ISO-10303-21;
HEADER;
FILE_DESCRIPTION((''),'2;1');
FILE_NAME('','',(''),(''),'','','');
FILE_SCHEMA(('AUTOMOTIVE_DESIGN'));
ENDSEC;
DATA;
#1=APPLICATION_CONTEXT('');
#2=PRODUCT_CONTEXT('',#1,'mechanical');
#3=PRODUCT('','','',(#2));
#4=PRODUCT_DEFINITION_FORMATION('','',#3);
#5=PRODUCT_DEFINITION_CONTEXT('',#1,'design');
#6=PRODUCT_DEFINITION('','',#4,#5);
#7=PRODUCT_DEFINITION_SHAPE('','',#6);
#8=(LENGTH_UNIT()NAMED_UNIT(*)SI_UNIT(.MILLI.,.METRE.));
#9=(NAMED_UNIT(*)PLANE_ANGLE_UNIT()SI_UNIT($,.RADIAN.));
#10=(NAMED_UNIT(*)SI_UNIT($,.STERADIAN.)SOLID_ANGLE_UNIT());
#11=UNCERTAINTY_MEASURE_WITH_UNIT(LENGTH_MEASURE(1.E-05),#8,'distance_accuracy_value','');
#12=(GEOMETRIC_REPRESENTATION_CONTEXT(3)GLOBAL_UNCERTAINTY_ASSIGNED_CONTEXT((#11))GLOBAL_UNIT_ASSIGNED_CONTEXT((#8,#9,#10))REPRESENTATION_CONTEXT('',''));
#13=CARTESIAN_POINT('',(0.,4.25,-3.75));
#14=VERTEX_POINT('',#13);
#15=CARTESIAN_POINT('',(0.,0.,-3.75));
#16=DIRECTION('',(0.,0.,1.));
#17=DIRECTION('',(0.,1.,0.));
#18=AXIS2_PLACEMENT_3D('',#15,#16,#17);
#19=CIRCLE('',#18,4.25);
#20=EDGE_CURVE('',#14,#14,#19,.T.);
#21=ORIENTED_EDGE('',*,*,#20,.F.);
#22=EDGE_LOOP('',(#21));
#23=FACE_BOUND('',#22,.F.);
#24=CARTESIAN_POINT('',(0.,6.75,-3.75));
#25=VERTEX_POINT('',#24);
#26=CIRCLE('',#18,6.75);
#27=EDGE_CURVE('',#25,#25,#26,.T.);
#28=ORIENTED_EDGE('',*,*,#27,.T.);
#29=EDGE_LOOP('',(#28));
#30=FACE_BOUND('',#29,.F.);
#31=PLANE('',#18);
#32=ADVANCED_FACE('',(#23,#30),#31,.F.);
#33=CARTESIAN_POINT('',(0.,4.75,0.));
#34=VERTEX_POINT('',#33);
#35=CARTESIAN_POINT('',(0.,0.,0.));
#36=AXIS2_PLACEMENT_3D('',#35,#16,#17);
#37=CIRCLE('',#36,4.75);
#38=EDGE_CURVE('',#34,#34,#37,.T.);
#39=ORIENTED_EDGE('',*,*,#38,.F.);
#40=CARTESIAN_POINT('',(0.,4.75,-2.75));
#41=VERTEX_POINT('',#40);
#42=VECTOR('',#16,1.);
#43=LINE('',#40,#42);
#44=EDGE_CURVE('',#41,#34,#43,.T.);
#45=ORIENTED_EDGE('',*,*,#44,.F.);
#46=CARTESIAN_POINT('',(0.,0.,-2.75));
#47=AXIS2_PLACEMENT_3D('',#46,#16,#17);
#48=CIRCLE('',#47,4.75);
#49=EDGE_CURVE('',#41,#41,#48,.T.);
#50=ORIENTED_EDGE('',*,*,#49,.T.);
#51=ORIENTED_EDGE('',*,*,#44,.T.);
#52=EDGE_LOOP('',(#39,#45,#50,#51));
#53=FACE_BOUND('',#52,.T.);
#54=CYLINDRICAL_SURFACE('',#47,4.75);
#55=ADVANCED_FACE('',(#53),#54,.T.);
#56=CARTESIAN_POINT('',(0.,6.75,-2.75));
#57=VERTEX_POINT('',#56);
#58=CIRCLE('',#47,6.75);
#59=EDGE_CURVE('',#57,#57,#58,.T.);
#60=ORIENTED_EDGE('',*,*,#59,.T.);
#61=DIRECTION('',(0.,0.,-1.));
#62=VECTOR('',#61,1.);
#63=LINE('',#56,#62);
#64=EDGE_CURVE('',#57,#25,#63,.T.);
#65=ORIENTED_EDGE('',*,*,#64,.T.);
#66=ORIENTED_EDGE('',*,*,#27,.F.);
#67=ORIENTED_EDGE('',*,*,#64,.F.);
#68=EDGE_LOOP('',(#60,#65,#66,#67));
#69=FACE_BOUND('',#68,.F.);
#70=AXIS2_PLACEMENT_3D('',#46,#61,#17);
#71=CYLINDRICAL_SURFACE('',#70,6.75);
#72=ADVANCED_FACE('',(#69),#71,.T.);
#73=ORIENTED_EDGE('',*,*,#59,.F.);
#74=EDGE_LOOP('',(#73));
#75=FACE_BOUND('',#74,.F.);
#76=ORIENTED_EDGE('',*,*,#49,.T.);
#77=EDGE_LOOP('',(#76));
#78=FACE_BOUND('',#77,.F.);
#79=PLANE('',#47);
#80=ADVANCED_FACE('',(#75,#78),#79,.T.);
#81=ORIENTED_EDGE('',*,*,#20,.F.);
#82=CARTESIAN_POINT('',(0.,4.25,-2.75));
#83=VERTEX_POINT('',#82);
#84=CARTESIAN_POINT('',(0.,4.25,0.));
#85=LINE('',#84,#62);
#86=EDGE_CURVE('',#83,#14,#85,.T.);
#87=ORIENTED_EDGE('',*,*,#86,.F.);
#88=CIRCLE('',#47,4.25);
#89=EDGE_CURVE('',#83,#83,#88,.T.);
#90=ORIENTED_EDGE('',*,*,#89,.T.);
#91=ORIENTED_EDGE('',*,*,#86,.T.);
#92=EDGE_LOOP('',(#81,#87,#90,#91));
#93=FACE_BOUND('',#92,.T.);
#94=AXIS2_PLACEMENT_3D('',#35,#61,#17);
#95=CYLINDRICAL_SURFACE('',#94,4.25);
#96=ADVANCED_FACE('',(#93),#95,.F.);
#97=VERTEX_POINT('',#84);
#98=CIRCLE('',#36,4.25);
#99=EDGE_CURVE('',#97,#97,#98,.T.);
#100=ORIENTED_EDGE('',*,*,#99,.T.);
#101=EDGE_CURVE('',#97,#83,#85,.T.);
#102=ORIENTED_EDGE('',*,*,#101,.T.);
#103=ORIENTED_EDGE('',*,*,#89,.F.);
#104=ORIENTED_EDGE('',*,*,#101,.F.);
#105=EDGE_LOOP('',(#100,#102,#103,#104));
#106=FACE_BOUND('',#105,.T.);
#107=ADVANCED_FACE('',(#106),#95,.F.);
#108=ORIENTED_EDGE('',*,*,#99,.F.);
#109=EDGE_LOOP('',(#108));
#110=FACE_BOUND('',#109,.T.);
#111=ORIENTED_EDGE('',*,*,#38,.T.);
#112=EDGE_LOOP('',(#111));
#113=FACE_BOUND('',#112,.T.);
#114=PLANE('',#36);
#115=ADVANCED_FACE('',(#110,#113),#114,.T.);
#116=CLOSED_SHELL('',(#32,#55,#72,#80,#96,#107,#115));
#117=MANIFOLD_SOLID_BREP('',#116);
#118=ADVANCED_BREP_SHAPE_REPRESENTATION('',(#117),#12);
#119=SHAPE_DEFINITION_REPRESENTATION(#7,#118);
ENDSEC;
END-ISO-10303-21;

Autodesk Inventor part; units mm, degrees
ref_plane "YZ Plane" through (0, 0, 0) normal (1, 0, 0) x (0, 1, 0)
ref_plane "XZ Plane" through (0, 0, 0) normal (0, 1, 0) x (-1, 0, 0)
ref_plane "XY Plane" through (0, 0, 0) normal (0, 0, 1) x (1, 0, 0)
sketch "Sketch1" plane through (0, 0, 0) normal (1, 0, 0) x (0, 1, 0)
  line L0 (4.25, 0) -> (4.25, -3.75)
  line L1 (0, -2.75) -> (0, 0)
  line L2 (4.75, -2.75) -> (4.75, 0)
  line L3 (4.75, 0) -> (4.25, 0)
  line L4 (4.25, 0) -> (4.25, -2.75)
  line L5 (6.75, -2.75) -> (6.75, -3.75)
  line L6 (6.75, -3.75) -> (4.25, -3.75)
  line L7 (4.75, -2.75) -> (6.75, -2.75)
  point P0 (4.1, 0)
  dimension "d3" = 2.5
  dimension "d4" = 1
  dimension "d5" = 2.75
  dimension "d6" = 4.75
  dimension "d8" = 4.25
revolve "Revolution1" add sketch "Sketch1" angle 360 about axis through (0, 0, -2.75) along (0, 0, 1)
properties part number "Ø10-Ø8Prop"
